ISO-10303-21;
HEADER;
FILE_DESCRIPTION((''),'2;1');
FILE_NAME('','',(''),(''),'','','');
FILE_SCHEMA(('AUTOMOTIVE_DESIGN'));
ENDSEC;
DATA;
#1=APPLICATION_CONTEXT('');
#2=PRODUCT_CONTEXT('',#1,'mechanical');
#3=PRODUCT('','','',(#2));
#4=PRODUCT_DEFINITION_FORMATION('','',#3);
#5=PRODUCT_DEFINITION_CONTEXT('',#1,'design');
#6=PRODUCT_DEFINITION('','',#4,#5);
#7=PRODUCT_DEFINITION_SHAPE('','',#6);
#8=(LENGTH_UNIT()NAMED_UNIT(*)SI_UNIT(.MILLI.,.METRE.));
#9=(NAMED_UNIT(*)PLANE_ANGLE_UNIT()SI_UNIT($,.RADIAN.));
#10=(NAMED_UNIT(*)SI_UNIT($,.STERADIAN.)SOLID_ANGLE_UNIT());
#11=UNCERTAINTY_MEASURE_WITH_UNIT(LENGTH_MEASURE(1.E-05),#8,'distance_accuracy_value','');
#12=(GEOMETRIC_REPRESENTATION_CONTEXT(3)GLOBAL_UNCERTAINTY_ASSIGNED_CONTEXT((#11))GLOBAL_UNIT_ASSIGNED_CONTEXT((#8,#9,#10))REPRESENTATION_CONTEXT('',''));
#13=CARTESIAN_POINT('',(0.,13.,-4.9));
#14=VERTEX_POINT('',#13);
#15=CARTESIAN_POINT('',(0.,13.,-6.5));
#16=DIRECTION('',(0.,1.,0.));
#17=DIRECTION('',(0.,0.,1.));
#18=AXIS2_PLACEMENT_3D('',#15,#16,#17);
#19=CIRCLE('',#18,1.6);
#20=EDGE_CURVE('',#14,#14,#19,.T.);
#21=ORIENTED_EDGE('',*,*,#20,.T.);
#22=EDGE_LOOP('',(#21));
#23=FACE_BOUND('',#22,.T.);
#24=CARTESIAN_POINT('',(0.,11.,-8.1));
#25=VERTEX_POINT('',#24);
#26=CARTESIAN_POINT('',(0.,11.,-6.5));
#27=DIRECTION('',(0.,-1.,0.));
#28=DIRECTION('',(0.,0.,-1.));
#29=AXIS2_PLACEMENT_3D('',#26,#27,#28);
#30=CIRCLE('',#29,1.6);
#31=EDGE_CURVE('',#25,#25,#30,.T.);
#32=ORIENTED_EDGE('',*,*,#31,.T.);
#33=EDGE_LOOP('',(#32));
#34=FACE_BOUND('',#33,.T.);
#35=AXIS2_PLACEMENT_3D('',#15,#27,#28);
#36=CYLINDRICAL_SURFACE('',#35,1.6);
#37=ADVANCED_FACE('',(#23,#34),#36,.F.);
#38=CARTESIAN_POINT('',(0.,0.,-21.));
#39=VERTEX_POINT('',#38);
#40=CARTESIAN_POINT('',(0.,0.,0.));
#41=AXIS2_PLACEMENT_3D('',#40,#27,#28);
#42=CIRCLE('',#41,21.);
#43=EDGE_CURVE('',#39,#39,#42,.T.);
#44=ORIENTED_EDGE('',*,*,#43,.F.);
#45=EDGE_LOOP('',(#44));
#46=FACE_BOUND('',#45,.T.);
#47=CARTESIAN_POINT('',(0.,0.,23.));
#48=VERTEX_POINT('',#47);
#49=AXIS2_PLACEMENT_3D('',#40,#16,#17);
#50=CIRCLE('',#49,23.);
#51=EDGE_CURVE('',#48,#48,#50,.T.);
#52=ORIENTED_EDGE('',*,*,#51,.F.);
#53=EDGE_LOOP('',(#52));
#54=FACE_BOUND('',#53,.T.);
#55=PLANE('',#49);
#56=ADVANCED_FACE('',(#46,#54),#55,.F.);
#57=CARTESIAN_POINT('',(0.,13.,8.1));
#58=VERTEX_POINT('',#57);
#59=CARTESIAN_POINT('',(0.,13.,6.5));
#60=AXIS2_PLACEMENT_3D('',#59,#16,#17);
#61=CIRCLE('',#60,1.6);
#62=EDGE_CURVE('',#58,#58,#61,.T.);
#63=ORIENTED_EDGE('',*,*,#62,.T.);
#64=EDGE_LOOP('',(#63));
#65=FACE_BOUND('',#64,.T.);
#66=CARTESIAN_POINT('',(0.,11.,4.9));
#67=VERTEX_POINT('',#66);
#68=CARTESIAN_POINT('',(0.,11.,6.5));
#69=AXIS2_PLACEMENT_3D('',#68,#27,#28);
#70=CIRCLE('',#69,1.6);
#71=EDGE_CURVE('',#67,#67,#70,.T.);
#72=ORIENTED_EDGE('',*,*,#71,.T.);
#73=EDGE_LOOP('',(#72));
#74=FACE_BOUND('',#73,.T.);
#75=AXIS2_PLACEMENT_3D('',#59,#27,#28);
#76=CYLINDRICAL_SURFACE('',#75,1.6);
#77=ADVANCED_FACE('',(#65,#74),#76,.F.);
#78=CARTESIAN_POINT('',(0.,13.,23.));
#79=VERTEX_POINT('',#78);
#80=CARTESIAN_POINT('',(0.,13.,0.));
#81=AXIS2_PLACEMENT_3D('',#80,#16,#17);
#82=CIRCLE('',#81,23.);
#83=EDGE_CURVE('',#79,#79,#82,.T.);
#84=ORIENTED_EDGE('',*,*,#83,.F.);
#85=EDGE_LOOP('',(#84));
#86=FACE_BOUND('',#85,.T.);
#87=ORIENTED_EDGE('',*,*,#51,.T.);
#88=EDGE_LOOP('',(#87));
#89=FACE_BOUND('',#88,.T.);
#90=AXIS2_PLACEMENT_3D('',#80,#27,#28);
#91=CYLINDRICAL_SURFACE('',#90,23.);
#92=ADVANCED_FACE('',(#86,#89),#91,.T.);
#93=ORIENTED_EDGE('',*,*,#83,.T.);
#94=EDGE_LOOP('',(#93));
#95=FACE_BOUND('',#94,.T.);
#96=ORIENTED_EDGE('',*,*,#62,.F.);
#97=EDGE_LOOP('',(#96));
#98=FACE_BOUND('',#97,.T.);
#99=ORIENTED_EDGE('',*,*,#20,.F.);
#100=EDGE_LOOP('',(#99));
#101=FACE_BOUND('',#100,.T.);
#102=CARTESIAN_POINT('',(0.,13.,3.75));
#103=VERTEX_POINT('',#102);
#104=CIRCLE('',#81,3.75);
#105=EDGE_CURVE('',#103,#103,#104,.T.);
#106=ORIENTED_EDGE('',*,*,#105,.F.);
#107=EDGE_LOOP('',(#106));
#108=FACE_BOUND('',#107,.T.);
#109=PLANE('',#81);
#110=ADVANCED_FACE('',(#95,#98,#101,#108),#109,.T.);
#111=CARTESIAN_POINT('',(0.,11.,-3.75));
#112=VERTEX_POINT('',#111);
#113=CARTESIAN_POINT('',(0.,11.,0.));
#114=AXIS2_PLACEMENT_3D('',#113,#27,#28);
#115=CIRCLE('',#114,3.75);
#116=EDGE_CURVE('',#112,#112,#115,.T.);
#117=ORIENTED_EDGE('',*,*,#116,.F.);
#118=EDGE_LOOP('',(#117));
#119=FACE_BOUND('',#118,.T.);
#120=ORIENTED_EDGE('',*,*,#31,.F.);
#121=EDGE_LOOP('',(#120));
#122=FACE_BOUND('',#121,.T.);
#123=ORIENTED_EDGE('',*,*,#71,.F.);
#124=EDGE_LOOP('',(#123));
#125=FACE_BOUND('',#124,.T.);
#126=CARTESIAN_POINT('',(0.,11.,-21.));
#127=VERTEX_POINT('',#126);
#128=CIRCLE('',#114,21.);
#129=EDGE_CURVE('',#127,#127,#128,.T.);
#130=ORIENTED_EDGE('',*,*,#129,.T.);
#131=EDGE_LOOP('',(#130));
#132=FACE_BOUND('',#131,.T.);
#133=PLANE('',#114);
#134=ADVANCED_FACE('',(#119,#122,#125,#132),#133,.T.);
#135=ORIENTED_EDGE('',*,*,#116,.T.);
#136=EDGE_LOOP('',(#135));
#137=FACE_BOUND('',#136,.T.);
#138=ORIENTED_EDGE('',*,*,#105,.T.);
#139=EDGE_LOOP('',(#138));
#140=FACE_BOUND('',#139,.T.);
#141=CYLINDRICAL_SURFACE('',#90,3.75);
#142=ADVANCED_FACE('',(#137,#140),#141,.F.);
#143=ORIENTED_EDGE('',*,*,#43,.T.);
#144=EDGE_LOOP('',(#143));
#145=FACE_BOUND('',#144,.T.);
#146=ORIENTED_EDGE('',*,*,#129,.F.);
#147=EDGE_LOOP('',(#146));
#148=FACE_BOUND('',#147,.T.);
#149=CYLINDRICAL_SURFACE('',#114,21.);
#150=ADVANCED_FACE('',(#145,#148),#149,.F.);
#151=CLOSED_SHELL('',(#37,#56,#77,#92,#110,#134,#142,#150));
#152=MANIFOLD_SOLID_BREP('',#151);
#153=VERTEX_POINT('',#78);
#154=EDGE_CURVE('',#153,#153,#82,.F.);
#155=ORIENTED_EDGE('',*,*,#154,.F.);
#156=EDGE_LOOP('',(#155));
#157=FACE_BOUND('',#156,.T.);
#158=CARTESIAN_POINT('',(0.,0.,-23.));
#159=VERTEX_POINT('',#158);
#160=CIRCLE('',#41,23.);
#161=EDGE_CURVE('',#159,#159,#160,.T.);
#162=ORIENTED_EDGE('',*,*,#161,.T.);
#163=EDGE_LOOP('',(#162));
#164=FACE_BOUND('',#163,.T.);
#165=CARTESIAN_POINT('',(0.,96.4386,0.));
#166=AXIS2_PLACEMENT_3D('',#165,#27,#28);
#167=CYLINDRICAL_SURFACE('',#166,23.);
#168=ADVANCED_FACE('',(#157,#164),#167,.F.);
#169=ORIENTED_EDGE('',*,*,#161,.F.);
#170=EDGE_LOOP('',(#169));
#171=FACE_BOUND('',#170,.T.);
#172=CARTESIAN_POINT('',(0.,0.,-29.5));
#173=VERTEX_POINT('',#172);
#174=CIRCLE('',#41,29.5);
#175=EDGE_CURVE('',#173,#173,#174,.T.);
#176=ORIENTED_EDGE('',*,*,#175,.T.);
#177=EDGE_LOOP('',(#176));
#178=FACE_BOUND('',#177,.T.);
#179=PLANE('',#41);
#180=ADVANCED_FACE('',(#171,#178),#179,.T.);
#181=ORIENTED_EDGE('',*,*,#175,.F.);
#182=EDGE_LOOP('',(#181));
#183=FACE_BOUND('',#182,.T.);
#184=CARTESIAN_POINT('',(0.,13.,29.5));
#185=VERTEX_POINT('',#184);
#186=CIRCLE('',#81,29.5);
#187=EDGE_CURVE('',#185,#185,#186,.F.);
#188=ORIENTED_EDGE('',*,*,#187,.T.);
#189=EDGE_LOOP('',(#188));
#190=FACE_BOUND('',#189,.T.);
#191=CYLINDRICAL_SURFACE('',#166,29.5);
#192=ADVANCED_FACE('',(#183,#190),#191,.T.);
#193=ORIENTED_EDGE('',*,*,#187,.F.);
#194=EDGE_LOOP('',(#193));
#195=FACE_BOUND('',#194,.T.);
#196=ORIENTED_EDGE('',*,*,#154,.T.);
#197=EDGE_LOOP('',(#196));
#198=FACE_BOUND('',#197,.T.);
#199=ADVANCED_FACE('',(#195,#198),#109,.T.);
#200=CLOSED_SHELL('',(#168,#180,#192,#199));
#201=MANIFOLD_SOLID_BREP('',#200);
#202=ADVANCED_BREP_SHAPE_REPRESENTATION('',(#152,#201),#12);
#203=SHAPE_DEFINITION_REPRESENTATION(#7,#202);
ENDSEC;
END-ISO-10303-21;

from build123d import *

# Parameters (mm, degrees)
SKETCH_1_R          = 23
SKETCH_1_R_2        = 1.6
SKETCH_1_R_3        = 3.75
EXTRUDE_1_DEPTH     = 13
SKETCH_3_R          = 21
CUT_EXTRUDE_1_DEPTH = 11
SKETCH_4_R          = 29.5
SKETCH_4_R_2        = 23
EXTRUDE_2_DEPTH     = 13


with BuildPart() as part:
    # 草图1 → 凸台-拉伸1 (new body)
    with BuildSketch(Plane(origin=(0, 0, 0), x_dir=(1, 0, 0), z_dir=(0, 1, 0))):
        Circle(SKETCH_1_R)
        with Locations((0, 6.5)):
            Circle(SKETCH_1_R_2, mode=Mode.SUBTRACT)
        with Locations((0, -6.5)):
            Circle(SKETCH_1_R_2, mode=Mode.SUBTRACT)
        Circle(SKETCH_1_R_3, mode=Mode.SUBTRACT)
    extrude(amount=EXTRUDE_1_DEPTH)

    # 草图3 → 切除-拉伸1 (cut)
    with BuildSketch(Plane.XZ):
        Circle(SKETCH_3_R)
    extrude(amount=-CUT_EXTRUDE_1_DEPTH, mode=Mode.SUBTRACT)


with BuildPart() as body_2:
    # 草图4 → 凸台-拉伸2 (new body)
    with BuildSketch(Plane.XZ):
        Circle(SKETCH_4_R)
        Circle(SKETCH_4_R_2, mode=Mode.SUBTRACT)
    extrude(amount=-EXTRUDE_2_DEPTH)


solid = Compound([part.part, body_2.part])
